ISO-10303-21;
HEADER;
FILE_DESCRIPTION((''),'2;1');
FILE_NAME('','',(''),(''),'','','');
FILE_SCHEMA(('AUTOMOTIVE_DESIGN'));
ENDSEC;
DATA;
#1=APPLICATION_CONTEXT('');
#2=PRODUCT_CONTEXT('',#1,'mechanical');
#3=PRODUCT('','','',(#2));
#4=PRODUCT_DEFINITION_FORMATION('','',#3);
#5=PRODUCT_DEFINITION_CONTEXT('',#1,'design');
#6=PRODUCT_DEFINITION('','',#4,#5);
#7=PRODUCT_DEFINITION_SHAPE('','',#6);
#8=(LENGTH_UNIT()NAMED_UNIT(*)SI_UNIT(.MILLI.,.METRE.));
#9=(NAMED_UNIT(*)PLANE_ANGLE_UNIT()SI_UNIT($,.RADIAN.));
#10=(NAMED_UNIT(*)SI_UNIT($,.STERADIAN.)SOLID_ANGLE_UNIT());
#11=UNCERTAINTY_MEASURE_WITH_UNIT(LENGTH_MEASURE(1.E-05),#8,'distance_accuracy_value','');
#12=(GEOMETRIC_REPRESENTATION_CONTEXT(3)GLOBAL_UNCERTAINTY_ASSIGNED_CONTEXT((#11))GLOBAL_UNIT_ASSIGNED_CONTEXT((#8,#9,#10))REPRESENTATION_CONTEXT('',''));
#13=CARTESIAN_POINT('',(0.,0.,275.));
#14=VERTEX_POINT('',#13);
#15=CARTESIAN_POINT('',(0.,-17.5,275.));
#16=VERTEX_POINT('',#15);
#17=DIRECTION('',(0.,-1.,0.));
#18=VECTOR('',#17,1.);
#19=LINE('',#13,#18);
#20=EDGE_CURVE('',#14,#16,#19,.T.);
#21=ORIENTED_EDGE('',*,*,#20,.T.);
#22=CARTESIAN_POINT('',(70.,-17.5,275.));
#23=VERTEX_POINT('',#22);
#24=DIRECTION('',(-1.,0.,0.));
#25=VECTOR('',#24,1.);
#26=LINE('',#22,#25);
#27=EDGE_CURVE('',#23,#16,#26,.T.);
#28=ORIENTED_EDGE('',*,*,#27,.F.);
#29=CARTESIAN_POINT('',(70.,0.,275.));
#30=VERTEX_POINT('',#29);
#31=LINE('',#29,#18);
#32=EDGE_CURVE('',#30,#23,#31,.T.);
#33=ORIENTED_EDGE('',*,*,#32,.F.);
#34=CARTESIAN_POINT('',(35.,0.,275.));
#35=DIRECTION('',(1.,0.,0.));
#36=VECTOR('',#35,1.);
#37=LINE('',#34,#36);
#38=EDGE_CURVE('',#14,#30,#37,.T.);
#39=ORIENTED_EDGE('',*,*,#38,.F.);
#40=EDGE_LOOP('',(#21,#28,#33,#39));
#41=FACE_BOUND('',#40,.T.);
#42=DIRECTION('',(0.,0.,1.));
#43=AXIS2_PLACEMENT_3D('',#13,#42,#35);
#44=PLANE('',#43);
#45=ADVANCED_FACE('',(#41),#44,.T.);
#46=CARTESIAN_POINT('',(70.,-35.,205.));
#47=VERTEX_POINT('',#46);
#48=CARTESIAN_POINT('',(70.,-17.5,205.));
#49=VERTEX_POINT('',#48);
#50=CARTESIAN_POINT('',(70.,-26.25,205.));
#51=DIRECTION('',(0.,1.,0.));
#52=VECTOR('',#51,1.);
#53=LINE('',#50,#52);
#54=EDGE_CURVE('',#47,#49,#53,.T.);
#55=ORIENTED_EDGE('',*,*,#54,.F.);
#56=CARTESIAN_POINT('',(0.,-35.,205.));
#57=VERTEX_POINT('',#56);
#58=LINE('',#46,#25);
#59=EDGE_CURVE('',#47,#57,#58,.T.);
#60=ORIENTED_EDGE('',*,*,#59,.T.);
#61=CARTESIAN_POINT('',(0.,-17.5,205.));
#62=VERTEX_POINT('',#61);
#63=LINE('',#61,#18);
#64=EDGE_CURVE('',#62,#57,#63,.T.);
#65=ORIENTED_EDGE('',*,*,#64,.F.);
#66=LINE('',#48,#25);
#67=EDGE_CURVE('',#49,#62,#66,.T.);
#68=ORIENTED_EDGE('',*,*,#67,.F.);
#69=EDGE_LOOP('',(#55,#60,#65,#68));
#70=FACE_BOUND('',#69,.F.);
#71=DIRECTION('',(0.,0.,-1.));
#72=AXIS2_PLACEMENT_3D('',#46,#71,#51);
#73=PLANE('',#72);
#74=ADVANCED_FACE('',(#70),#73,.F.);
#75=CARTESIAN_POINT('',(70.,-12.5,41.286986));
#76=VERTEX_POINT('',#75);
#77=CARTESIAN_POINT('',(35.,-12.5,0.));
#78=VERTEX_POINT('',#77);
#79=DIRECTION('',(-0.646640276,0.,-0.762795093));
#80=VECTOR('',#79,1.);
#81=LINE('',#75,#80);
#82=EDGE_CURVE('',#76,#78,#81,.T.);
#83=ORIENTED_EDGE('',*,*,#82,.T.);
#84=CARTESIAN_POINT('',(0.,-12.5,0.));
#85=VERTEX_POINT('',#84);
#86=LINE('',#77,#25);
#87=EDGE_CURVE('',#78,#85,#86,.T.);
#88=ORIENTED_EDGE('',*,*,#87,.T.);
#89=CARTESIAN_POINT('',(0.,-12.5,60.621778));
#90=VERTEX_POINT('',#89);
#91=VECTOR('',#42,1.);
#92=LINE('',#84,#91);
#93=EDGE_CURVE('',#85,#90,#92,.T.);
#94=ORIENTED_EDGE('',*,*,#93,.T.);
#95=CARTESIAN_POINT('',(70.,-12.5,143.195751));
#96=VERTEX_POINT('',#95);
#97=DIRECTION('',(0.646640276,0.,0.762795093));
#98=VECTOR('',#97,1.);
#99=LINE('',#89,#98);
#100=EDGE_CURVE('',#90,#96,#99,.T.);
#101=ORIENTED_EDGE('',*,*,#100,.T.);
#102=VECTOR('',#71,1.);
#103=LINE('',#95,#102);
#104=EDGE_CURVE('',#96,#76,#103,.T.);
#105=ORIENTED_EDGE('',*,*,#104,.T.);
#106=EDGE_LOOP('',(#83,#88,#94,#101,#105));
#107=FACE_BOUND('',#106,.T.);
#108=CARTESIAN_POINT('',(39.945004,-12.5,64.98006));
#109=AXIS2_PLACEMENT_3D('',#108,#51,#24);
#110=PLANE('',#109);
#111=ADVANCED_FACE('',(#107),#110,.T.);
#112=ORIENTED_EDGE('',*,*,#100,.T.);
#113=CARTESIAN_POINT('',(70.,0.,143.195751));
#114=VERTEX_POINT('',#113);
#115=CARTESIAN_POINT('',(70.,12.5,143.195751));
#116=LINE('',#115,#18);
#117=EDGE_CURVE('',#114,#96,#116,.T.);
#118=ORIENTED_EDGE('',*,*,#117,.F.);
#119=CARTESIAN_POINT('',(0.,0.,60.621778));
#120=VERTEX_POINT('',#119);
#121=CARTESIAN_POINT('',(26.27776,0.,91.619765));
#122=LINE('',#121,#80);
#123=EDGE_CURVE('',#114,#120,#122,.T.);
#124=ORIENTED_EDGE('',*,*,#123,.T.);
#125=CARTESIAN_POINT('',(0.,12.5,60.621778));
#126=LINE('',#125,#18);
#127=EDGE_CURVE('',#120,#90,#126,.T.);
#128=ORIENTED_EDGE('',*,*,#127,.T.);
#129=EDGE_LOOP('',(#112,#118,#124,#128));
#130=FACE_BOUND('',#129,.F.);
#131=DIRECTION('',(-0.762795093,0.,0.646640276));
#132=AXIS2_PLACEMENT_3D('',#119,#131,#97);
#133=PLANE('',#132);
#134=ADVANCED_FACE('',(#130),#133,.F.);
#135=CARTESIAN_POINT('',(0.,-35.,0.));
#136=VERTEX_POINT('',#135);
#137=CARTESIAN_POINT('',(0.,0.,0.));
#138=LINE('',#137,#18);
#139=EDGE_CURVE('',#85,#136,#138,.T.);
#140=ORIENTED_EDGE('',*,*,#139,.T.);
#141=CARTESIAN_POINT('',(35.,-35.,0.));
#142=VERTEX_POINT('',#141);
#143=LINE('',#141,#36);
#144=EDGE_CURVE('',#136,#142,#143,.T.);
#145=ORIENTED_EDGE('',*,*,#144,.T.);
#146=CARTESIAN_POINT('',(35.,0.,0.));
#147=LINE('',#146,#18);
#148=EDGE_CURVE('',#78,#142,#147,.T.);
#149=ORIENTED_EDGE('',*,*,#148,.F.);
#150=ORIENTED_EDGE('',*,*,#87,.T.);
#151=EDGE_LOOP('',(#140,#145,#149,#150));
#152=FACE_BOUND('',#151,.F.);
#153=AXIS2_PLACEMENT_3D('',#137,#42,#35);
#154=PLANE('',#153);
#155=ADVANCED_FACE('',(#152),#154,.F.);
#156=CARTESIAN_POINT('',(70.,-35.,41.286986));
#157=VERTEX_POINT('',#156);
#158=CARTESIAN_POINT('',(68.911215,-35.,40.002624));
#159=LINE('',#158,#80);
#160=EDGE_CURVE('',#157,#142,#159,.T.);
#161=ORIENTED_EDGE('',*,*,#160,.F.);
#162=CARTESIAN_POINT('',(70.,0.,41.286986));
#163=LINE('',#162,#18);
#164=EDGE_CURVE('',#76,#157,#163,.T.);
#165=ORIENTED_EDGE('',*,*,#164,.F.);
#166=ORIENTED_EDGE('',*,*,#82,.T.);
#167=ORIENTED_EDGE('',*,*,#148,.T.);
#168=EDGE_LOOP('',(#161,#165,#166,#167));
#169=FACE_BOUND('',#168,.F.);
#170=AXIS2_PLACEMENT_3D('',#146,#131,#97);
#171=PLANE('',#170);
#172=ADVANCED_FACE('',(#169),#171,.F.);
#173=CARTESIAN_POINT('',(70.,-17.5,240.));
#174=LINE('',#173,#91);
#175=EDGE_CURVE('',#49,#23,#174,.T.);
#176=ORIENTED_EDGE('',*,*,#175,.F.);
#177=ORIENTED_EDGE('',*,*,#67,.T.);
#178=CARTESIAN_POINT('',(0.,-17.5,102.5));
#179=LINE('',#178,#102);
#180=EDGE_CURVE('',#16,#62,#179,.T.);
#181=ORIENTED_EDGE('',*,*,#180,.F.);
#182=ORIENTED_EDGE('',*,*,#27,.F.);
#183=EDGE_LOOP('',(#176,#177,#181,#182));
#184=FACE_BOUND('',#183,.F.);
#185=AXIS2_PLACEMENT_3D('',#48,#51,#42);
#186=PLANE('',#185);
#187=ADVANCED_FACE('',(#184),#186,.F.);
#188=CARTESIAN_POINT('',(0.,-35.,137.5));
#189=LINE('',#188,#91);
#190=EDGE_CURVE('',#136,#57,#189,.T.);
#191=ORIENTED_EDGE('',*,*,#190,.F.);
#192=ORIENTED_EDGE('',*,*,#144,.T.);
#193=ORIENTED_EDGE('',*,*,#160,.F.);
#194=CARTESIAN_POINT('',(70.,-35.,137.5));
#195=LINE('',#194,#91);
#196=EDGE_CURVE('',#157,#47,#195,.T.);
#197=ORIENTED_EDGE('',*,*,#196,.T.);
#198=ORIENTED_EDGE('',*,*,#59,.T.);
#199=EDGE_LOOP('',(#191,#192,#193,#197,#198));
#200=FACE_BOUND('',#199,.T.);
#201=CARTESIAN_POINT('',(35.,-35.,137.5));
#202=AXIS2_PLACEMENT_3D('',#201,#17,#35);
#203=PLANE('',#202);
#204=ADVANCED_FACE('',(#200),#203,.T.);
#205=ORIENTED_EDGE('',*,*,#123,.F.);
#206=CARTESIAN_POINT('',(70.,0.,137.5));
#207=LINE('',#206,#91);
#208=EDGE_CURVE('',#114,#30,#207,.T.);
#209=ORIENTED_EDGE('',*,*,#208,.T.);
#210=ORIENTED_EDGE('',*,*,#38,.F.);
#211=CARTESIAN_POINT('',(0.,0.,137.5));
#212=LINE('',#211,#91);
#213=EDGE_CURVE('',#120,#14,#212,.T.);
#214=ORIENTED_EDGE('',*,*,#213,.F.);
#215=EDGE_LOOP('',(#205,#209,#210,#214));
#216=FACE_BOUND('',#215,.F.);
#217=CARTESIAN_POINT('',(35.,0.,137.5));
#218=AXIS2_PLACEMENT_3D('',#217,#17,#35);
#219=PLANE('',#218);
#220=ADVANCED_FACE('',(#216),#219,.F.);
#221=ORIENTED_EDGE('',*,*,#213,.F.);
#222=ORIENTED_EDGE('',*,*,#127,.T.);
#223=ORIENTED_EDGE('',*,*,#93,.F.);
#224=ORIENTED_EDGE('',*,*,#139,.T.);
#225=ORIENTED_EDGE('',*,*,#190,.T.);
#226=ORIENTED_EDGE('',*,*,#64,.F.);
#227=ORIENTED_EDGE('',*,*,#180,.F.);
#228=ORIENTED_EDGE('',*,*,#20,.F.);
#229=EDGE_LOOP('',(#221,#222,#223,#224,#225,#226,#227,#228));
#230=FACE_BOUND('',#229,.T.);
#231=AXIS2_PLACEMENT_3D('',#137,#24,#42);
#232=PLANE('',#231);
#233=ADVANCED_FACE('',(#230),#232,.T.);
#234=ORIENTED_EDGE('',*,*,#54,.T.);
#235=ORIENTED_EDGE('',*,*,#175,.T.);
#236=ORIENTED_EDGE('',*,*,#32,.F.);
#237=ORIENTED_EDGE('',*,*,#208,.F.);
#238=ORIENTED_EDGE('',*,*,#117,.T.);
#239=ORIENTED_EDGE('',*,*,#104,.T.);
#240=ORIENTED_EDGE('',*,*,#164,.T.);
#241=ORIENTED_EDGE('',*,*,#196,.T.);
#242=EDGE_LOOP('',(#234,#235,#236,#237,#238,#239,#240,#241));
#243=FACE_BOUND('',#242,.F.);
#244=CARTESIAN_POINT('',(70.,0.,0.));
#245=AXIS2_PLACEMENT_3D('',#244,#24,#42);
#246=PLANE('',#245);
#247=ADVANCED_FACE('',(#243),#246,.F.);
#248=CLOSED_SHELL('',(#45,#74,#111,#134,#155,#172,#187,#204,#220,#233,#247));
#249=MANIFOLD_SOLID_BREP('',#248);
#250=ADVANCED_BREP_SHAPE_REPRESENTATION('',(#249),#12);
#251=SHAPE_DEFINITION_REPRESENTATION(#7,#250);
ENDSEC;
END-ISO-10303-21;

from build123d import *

# Parameters (mm, degrees)
F0_W     = 70
F0_H     = 275
F1_DEPTH = 35
F2_W     = 17.5
F2_H     = 70
F3_DEPTH = 70.001
F5_DEPTH = 12.5
F6_DEPTH = 35.001


with BuildPart() as f1:
    # F0 (on Front) → F1 (new body)
    with BuildSketch(Plane.XZ):
        with Locations((35, 137.5)):
            Rectangle(F0_W, F0_H)
    extrude(amount=F1_DEPTH)

    # F2 (on face) → F3 (cut, through all)
    with BuildSketch(Plane.YZ.offset(70)):
        with Locations((-26.25, 240)):
            Rectangle(F2_W, F2_H)
    extrude(amount=-F3_DEPTH, mode=Mode.SUBTRACT)

    # F4 (on face) → F5 (cut, symmetric)
    with BuildSketch(Plane(origin=(0, 0, 0), x_dir=(-1, 0, 0), z_dir=(0, 1, 0))):
        Polygon((-70, 143.1957509073), (-70, 41.2869863212), (-35, 0), (0, 0), (0, 60.6217782649), align=None)
    extrude(amount=F5_DEPTH, both=True, mode=Mode.SUBTRACT)

    # F6 (cut, through all): a face of the model
    f6_faces = [f1.faces().sort_by_distance(p)[0] for p in [
        (58.3333333333, 0, 13.7623287737),
    ]]
    extrude(f6_faces, amount=-F6_DEPTH, mode=Mode.SUBTRACT)


solid = f1.part
